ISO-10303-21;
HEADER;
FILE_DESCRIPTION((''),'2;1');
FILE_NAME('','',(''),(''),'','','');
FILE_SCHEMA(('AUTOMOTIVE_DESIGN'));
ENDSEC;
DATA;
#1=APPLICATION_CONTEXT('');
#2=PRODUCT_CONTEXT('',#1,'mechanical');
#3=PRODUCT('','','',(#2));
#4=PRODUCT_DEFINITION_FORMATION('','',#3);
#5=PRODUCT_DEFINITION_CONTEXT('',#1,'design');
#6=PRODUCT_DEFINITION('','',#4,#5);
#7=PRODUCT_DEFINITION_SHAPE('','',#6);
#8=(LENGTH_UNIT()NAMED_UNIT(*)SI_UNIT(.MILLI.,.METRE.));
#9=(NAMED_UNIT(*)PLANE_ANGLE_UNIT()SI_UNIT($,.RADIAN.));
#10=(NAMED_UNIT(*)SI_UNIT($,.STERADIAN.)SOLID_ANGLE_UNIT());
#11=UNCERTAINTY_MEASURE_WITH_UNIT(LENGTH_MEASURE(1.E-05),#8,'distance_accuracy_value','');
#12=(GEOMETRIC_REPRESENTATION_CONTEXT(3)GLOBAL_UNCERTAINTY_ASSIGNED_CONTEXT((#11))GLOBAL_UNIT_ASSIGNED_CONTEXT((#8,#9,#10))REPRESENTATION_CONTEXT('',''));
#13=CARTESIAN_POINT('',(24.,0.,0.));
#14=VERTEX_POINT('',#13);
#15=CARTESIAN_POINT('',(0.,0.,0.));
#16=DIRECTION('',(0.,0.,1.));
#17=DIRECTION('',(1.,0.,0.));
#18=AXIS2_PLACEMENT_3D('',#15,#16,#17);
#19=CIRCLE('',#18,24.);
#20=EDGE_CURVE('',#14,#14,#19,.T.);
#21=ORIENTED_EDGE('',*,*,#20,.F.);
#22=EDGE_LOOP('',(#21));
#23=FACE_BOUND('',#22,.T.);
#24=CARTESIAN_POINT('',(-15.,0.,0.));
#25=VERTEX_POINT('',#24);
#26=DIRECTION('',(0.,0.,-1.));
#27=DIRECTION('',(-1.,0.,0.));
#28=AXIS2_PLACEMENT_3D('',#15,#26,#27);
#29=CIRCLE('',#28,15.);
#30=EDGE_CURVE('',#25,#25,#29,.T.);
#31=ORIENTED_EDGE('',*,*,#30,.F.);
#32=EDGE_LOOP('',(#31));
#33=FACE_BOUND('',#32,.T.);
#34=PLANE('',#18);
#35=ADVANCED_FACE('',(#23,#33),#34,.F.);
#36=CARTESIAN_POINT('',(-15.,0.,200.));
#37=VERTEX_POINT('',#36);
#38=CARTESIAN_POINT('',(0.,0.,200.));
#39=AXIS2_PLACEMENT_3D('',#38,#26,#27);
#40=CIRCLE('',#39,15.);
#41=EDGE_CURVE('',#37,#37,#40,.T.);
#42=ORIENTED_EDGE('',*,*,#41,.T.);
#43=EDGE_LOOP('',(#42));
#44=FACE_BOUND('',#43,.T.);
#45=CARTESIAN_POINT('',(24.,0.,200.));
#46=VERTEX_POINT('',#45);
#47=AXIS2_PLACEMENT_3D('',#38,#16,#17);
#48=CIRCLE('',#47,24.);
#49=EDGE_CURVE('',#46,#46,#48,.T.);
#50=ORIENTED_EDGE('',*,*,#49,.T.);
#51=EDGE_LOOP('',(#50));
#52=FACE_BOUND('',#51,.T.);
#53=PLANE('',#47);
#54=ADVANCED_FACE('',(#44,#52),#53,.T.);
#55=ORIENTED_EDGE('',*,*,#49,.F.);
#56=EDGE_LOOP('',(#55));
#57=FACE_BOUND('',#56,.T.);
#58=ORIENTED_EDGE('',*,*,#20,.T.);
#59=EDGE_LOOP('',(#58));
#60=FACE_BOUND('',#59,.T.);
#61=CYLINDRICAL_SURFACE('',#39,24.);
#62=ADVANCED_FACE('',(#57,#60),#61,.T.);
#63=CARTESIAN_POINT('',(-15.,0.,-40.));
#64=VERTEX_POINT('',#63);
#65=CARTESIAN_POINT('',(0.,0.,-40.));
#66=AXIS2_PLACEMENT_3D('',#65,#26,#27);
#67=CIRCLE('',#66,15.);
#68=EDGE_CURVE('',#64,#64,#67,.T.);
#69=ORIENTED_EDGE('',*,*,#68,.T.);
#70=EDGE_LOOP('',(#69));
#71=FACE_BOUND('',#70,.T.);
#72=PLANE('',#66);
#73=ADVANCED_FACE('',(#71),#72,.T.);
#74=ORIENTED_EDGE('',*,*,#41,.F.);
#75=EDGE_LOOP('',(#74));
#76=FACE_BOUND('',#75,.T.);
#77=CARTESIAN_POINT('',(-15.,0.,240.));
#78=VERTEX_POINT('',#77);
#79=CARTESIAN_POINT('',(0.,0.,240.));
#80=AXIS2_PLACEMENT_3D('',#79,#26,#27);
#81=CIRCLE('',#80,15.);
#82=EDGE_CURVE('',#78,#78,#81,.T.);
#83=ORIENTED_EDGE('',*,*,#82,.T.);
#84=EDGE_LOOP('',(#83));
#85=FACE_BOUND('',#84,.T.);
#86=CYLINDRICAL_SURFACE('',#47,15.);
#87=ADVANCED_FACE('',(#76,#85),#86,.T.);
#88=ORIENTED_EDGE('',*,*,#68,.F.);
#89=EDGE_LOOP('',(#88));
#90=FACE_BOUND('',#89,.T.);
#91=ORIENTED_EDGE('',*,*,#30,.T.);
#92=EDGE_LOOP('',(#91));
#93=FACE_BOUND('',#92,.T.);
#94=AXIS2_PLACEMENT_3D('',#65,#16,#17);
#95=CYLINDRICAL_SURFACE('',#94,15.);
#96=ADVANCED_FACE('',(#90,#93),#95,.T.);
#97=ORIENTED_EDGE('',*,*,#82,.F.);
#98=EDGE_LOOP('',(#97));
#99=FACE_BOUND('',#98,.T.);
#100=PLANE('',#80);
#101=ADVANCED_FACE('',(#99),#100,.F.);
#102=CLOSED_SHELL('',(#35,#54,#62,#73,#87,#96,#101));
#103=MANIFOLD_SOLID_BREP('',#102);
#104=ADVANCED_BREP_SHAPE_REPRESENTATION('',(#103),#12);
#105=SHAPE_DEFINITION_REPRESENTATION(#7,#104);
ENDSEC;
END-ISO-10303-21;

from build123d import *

# Parameters (mm, degrees)
SKETCH1_R           = 24
BOSS_EXTRUDE1_DEPTH = 200
SKETCH2_R           = 15
BOSS_EXTRUDE2_DEPTH = 40
LPATTERN1_COUNT     = 2
LPATTERN1_PITCH     = 240


with BuildPart() as part:
    # Sketch1 → Boss-Extrude1 (new body)
    with BuildSketch(Plane.XY):
        Circle(SKETCH1_R)
    extrude(amount=BOSS_EXTRUDE1_DEPTH)

    # Sketch2 → Boss-Extrude2 (add)
    with BuildSketch(Plane(origin=(0, 0, 0), x_dir=(-1, 0, 0), z_dir=(0, 0, -1))):
        Circle(SKETCH2_R)
    boss_extrude2 = extrude(amount=BOSS_EXTRUDE2_DEPTH)

    # LPattern1: Boss-Extrude2 ×2
    with Locations(*[(0, 0, i * LPATTERN1_PITCH) for i in range(1, LPATTERN1_COUNT)]):
        add(boss_extrude2)


solid = part.part
